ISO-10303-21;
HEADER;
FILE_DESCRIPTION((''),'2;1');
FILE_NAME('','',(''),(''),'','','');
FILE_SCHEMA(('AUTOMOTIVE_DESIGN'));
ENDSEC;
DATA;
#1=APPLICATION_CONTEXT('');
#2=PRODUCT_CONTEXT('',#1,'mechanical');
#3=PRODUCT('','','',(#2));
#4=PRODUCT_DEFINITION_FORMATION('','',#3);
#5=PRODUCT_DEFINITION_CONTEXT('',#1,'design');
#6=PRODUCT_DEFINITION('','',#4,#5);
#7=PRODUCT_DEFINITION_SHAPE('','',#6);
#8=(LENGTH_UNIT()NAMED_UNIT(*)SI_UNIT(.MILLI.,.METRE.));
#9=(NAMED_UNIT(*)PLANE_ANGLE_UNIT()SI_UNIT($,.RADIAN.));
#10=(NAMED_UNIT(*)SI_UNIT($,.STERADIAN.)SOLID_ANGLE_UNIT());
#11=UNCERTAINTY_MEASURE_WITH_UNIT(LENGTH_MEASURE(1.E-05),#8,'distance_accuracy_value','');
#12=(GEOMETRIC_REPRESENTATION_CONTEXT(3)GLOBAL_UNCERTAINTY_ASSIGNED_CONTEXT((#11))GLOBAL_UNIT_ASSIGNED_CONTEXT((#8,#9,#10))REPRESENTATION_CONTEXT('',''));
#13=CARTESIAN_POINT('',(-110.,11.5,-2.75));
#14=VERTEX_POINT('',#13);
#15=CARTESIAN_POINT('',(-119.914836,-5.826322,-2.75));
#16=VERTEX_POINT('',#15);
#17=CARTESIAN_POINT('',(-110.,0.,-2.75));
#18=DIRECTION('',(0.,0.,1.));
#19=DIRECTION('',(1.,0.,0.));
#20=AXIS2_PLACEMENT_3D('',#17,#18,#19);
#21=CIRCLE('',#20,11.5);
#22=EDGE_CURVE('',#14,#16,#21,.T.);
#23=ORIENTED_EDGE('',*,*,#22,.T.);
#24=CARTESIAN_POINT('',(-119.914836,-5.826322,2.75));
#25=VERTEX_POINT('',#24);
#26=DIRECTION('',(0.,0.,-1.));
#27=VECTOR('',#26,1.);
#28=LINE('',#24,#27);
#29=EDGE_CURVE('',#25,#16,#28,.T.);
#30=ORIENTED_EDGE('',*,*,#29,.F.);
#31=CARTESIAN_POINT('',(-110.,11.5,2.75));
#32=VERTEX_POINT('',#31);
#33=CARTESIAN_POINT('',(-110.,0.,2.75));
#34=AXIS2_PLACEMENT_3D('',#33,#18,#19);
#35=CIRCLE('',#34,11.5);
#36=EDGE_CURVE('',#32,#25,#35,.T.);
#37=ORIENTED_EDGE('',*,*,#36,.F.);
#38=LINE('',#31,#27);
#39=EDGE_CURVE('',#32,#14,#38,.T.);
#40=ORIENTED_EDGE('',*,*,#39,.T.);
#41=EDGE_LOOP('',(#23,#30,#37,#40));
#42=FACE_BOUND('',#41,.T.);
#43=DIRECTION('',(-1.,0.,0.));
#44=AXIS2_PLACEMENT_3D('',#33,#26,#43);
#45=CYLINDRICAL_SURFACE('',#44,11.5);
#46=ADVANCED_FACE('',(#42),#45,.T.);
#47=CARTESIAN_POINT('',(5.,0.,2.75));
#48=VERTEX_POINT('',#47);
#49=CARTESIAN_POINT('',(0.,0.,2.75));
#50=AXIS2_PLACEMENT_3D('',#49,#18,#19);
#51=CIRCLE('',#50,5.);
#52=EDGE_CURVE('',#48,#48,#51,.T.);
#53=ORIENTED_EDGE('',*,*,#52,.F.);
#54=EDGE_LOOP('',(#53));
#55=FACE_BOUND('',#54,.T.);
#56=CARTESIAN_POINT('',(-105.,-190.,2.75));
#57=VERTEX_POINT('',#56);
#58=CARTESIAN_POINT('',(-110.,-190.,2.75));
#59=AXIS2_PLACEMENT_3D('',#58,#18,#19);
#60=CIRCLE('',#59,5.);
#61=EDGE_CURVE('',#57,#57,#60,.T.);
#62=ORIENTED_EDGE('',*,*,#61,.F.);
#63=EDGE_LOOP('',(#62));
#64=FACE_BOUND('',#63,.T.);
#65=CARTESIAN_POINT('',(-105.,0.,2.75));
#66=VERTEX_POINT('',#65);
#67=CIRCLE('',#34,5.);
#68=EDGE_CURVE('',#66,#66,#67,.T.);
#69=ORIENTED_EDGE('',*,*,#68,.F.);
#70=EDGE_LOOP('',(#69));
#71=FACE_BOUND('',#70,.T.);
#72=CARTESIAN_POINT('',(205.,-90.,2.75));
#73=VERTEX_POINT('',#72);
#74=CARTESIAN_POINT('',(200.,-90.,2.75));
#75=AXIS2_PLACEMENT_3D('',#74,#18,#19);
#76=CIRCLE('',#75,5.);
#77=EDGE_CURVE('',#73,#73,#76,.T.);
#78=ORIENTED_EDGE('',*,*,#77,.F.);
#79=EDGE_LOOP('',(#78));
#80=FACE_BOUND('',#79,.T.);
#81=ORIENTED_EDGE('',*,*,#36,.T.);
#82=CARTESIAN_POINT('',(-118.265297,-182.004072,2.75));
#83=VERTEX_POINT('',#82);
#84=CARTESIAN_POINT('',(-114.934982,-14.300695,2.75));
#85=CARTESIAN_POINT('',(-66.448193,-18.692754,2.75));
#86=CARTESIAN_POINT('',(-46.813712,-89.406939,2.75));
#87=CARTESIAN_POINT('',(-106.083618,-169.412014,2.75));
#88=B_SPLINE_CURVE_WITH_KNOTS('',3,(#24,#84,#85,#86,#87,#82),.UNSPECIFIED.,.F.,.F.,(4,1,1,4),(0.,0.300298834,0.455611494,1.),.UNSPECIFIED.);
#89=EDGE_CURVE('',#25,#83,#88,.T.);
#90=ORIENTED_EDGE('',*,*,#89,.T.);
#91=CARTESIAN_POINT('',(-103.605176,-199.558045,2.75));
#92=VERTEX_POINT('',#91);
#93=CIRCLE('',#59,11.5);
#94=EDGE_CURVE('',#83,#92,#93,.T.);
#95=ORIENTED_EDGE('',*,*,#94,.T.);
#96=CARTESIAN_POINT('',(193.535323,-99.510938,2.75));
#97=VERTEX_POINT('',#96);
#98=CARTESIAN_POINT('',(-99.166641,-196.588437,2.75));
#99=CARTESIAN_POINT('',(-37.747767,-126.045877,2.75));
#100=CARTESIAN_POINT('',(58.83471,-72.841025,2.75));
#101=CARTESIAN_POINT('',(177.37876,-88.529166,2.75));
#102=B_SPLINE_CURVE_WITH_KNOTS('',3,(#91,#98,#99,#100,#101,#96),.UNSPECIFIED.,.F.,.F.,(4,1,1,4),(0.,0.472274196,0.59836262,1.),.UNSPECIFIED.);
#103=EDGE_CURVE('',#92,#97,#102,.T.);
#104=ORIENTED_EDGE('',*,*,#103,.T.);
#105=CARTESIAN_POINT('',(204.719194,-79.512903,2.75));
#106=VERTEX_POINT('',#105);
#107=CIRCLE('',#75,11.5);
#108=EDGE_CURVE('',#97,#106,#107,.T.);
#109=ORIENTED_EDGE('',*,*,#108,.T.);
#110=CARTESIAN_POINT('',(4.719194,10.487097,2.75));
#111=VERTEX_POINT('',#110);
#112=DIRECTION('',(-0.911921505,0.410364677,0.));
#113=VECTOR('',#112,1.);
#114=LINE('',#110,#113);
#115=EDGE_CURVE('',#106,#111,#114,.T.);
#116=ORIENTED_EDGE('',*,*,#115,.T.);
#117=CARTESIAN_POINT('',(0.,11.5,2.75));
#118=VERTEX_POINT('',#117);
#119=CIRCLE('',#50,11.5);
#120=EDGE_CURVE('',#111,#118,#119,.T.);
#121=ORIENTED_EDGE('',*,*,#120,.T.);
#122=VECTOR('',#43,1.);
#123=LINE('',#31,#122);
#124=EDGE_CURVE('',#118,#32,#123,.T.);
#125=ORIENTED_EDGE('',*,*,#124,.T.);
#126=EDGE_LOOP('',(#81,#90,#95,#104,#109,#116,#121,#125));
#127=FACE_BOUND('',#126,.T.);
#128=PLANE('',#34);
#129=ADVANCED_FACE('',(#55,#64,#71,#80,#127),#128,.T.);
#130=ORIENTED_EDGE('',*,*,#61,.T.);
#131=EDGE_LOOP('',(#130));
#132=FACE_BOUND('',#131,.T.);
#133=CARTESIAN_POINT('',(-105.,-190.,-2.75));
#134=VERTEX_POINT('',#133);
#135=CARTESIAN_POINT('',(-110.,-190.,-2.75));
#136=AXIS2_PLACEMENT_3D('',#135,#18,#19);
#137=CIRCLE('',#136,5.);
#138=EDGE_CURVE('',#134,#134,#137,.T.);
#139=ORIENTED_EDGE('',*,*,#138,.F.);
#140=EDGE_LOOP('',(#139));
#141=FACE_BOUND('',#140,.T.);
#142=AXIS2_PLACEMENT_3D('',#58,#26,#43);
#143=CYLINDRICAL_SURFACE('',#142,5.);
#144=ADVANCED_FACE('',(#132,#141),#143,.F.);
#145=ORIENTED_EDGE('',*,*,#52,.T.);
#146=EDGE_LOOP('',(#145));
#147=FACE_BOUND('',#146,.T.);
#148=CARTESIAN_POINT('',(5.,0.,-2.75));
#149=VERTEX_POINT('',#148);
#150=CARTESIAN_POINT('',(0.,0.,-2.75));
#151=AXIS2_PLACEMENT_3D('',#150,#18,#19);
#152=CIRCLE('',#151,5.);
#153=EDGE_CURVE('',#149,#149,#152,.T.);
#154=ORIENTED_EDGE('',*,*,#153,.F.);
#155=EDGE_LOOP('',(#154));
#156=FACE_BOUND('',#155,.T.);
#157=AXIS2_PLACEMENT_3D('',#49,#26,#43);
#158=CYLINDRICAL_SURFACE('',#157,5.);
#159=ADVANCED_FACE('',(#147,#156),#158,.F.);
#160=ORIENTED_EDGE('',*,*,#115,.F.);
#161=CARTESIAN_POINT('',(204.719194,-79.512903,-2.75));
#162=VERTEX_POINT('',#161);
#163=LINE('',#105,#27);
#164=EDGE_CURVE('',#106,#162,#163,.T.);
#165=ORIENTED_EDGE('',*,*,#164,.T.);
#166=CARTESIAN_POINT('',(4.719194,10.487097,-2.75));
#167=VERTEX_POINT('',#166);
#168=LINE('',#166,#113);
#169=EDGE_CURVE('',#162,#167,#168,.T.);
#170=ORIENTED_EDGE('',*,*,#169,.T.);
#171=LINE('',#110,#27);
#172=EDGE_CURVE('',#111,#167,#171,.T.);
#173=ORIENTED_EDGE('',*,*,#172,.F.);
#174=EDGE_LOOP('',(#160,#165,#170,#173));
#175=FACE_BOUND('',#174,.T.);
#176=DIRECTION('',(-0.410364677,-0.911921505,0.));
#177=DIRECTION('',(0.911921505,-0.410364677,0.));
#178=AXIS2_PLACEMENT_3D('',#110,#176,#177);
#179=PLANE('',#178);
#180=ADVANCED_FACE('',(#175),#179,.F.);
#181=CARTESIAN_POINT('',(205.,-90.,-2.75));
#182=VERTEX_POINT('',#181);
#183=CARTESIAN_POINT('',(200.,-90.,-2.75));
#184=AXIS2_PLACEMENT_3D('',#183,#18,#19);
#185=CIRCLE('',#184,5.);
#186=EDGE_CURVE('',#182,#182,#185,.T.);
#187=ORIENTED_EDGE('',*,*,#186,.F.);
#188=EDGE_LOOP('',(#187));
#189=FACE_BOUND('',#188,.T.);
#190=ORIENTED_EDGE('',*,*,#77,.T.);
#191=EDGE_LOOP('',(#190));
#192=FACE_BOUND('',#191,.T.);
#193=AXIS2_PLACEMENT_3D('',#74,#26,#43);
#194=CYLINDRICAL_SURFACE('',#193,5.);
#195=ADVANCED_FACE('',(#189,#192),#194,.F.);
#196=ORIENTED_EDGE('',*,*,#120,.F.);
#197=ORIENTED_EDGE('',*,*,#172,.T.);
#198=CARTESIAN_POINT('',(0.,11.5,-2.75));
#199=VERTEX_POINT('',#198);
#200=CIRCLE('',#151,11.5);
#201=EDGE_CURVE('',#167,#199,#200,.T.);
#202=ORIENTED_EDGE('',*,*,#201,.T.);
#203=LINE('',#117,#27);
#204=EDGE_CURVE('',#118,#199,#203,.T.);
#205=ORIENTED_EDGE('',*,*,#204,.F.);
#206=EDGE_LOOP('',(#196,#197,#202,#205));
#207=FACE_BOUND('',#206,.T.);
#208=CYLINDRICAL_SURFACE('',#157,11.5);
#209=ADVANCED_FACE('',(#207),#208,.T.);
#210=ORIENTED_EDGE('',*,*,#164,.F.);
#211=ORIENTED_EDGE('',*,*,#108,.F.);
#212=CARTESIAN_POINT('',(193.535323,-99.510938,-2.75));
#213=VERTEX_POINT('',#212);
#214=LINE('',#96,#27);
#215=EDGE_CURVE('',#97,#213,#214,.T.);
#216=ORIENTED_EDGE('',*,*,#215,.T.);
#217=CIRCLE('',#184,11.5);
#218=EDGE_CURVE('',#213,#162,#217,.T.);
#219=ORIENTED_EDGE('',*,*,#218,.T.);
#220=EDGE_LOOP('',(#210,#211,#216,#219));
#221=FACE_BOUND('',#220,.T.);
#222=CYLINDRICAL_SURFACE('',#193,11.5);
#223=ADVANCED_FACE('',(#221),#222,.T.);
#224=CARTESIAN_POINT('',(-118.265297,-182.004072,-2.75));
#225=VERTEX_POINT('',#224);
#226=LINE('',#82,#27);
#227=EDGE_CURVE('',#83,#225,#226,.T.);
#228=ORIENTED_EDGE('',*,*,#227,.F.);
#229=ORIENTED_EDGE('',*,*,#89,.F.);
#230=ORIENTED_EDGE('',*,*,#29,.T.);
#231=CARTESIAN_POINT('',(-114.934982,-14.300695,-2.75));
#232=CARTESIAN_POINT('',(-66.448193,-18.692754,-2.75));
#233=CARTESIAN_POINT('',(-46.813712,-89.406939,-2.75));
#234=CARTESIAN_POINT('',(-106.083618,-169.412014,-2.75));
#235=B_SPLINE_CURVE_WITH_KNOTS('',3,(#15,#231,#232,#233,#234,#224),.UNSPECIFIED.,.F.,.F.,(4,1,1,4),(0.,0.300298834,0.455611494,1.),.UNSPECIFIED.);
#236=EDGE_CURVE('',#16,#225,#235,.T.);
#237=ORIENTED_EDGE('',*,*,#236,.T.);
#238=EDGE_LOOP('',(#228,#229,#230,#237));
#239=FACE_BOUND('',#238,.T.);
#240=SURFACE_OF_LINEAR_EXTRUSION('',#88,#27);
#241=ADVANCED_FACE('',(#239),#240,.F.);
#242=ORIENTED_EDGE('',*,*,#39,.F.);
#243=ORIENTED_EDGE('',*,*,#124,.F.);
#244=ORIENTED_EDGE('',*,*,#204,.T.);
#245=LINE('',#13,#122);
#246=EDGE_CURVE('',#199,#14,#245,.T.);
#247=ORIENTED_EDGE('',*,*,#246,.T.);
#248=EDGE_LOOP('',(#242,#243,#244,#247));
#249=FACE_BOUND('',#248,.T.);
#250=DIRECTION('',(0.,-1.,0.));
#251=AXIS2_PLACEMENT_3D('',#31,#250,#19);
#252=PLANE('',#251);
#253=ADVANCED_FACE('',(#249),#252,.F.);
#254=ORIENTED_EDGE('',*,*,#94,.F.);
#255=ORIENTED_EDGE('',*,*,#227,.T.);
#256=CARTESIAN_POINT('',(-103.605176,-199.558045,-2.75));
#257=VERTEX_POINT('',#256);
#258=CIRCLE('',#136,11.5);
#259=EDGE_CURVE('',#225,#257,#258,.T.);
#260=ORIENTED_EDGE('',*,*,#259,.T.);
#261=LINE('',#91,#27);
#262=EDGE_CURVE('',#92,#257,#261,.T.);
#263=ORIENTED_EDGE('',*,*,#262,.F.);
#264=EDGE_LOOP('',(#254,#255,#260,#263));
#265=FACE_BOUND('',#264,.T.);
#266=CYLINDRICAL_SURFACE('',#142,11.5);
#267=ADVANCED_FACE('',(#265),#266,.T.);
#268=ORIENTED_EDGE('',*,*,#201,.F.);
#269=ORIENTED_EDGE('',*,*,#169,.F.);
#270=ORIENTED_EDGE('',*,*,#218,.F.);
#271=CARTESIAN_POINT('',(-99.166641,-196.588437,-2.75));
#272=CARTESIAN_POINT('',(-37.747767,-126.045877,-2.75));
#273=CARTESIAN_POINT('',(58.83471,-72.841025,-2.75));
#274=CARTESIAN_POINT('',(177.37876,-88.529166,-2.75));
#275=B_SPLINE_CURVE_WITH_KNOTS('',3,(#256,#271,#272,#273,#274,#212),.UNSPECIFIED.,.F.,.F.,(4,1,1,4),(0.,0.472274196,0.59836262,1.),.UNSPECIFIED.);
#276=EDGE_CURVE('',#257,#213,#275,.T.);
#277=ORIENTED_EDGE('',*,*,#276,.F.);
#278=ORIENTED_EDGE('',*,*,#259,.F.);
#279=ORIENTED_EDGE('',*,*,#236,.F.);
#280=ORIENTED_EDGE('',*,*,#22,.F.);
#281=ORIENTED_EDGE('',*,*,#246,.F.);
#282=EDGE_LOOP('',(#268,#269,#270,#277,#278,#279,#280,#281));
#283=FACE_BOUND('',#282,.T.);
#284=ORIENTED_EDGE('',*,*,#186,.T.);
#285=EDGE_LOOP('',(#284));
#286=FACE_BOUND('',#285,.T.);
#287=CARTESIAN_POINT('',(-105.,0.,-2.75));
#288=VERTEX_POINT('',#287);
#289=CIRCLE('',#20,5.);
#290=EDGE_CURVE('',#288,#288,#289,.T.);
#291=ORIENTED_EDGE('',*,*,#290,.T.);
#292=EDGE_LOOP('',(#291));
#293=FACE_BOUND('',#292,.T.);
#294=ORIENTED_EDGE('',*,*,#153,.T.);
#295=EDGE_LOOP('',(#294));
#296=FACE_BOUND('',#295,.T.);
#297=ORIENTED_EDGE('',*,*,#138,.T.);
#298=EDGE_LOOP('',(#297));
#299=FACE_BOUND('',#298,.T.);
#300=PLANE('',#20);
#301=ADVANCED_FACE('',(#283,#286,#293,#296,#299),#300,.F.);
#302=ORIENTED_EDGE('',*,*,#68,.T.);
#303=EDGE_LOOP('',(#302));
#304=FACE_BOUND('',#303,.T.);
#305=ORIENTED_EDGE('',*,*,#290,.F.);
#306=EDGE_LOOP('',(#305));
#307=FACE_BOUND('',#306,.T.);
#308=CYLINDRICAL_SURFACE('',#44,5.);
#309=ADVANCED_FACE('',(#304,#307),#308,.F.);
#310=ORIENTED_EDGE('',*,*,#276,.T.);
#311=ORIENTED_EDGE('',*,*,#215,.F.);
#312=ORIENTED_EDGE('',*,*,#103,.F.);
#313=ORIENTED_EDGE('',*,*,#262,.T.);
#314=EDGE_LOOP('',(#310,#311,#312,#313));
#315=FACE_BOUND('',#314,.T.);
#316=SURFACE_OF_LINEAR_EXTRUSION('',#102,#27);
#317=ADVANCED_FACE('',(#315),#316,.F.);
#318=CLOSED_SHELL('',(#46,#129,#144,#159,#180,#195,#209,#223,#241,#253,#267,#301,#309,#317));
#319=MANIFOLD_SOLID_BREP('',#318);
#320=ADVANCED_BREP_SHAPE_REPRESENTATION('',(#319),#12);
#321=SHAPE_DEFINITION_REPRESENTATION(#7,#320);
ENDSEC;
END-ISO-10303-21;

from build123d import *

# Parameters (mm, degrees)
SKETCH1_R       = 5
LINK_BCEF_DEPTH = 2.75


with BuildPart() as part:
    # Sketch1 → link_BCEF (new body, symmetric)
    with BuildSketch(Plane.XY):
        with BuildLine():
            Line((-110, 11.5), (0, 11.5))
            ThreePointArc((0, 11.5), (2.413335963, 11.243923227), (4.719193789, 10.48709731))
            Line((4.719193789, 10.48709731), (204.719193789, -79.51290269))
            ThreePointArc((204.719193789, -79.51290269), (210.037033264, -95.613195459), (193.535322949, -99.510938472))
            add(Edge.make_bspline(
                [(-103.605175934, -199.558045049), (-99.166641345, -196.588436969), (-37.747767195, -126.045876693), (58.834709745, -72.841025291), (177.378760182, -88.529166185), (193.535322949, -99.510938472)],
                knots=[0, 0, 0, 0, 0.472274196, 0.59836262, 1, 1, 1, 1], degree=3))
            ThreePointArc((-103.605175934, -199.558045049), (-118.826673208, -197.371556151), (-118.265297035, -182.004071979))
            add(Edge.make_bspline(
                [(-119.914835658, -5.8263225), (-114.934982102, -14.300695419), (-66.448192668, -18.69275386), (-46.813712441, -89.406939193), (-106.083618348, -169.412013562), (-118.265297035, -182.004071979)],
                knots=[0, 0, 0, 0, 0.300298834, 0.455611494, 1, 1, 1, 1], degree=3))
            ThreePointArc((-119.914835658, -5.8263225), (-119.981300235, 5.711711269), (-110, 11.5))
        make_face()
        Circle(SKETCH1_R, mode=Mode.SUBTRACT)
        with Locations((200, -90)):
            Circle(SKETCH1_R, mode=Mode.SUBTRACT)
        with Locations((-110, -190)):
            Circle(SKETCH1_R, mode=Mode.SUBTRACT)
        with Locations((-110, 0)):
            Circle(SKETCH1_R, mode=Mode.SUBTRACT)
    extrude(amount=LINK_BCEF_DEPTH, both=True)


solid = part.part
